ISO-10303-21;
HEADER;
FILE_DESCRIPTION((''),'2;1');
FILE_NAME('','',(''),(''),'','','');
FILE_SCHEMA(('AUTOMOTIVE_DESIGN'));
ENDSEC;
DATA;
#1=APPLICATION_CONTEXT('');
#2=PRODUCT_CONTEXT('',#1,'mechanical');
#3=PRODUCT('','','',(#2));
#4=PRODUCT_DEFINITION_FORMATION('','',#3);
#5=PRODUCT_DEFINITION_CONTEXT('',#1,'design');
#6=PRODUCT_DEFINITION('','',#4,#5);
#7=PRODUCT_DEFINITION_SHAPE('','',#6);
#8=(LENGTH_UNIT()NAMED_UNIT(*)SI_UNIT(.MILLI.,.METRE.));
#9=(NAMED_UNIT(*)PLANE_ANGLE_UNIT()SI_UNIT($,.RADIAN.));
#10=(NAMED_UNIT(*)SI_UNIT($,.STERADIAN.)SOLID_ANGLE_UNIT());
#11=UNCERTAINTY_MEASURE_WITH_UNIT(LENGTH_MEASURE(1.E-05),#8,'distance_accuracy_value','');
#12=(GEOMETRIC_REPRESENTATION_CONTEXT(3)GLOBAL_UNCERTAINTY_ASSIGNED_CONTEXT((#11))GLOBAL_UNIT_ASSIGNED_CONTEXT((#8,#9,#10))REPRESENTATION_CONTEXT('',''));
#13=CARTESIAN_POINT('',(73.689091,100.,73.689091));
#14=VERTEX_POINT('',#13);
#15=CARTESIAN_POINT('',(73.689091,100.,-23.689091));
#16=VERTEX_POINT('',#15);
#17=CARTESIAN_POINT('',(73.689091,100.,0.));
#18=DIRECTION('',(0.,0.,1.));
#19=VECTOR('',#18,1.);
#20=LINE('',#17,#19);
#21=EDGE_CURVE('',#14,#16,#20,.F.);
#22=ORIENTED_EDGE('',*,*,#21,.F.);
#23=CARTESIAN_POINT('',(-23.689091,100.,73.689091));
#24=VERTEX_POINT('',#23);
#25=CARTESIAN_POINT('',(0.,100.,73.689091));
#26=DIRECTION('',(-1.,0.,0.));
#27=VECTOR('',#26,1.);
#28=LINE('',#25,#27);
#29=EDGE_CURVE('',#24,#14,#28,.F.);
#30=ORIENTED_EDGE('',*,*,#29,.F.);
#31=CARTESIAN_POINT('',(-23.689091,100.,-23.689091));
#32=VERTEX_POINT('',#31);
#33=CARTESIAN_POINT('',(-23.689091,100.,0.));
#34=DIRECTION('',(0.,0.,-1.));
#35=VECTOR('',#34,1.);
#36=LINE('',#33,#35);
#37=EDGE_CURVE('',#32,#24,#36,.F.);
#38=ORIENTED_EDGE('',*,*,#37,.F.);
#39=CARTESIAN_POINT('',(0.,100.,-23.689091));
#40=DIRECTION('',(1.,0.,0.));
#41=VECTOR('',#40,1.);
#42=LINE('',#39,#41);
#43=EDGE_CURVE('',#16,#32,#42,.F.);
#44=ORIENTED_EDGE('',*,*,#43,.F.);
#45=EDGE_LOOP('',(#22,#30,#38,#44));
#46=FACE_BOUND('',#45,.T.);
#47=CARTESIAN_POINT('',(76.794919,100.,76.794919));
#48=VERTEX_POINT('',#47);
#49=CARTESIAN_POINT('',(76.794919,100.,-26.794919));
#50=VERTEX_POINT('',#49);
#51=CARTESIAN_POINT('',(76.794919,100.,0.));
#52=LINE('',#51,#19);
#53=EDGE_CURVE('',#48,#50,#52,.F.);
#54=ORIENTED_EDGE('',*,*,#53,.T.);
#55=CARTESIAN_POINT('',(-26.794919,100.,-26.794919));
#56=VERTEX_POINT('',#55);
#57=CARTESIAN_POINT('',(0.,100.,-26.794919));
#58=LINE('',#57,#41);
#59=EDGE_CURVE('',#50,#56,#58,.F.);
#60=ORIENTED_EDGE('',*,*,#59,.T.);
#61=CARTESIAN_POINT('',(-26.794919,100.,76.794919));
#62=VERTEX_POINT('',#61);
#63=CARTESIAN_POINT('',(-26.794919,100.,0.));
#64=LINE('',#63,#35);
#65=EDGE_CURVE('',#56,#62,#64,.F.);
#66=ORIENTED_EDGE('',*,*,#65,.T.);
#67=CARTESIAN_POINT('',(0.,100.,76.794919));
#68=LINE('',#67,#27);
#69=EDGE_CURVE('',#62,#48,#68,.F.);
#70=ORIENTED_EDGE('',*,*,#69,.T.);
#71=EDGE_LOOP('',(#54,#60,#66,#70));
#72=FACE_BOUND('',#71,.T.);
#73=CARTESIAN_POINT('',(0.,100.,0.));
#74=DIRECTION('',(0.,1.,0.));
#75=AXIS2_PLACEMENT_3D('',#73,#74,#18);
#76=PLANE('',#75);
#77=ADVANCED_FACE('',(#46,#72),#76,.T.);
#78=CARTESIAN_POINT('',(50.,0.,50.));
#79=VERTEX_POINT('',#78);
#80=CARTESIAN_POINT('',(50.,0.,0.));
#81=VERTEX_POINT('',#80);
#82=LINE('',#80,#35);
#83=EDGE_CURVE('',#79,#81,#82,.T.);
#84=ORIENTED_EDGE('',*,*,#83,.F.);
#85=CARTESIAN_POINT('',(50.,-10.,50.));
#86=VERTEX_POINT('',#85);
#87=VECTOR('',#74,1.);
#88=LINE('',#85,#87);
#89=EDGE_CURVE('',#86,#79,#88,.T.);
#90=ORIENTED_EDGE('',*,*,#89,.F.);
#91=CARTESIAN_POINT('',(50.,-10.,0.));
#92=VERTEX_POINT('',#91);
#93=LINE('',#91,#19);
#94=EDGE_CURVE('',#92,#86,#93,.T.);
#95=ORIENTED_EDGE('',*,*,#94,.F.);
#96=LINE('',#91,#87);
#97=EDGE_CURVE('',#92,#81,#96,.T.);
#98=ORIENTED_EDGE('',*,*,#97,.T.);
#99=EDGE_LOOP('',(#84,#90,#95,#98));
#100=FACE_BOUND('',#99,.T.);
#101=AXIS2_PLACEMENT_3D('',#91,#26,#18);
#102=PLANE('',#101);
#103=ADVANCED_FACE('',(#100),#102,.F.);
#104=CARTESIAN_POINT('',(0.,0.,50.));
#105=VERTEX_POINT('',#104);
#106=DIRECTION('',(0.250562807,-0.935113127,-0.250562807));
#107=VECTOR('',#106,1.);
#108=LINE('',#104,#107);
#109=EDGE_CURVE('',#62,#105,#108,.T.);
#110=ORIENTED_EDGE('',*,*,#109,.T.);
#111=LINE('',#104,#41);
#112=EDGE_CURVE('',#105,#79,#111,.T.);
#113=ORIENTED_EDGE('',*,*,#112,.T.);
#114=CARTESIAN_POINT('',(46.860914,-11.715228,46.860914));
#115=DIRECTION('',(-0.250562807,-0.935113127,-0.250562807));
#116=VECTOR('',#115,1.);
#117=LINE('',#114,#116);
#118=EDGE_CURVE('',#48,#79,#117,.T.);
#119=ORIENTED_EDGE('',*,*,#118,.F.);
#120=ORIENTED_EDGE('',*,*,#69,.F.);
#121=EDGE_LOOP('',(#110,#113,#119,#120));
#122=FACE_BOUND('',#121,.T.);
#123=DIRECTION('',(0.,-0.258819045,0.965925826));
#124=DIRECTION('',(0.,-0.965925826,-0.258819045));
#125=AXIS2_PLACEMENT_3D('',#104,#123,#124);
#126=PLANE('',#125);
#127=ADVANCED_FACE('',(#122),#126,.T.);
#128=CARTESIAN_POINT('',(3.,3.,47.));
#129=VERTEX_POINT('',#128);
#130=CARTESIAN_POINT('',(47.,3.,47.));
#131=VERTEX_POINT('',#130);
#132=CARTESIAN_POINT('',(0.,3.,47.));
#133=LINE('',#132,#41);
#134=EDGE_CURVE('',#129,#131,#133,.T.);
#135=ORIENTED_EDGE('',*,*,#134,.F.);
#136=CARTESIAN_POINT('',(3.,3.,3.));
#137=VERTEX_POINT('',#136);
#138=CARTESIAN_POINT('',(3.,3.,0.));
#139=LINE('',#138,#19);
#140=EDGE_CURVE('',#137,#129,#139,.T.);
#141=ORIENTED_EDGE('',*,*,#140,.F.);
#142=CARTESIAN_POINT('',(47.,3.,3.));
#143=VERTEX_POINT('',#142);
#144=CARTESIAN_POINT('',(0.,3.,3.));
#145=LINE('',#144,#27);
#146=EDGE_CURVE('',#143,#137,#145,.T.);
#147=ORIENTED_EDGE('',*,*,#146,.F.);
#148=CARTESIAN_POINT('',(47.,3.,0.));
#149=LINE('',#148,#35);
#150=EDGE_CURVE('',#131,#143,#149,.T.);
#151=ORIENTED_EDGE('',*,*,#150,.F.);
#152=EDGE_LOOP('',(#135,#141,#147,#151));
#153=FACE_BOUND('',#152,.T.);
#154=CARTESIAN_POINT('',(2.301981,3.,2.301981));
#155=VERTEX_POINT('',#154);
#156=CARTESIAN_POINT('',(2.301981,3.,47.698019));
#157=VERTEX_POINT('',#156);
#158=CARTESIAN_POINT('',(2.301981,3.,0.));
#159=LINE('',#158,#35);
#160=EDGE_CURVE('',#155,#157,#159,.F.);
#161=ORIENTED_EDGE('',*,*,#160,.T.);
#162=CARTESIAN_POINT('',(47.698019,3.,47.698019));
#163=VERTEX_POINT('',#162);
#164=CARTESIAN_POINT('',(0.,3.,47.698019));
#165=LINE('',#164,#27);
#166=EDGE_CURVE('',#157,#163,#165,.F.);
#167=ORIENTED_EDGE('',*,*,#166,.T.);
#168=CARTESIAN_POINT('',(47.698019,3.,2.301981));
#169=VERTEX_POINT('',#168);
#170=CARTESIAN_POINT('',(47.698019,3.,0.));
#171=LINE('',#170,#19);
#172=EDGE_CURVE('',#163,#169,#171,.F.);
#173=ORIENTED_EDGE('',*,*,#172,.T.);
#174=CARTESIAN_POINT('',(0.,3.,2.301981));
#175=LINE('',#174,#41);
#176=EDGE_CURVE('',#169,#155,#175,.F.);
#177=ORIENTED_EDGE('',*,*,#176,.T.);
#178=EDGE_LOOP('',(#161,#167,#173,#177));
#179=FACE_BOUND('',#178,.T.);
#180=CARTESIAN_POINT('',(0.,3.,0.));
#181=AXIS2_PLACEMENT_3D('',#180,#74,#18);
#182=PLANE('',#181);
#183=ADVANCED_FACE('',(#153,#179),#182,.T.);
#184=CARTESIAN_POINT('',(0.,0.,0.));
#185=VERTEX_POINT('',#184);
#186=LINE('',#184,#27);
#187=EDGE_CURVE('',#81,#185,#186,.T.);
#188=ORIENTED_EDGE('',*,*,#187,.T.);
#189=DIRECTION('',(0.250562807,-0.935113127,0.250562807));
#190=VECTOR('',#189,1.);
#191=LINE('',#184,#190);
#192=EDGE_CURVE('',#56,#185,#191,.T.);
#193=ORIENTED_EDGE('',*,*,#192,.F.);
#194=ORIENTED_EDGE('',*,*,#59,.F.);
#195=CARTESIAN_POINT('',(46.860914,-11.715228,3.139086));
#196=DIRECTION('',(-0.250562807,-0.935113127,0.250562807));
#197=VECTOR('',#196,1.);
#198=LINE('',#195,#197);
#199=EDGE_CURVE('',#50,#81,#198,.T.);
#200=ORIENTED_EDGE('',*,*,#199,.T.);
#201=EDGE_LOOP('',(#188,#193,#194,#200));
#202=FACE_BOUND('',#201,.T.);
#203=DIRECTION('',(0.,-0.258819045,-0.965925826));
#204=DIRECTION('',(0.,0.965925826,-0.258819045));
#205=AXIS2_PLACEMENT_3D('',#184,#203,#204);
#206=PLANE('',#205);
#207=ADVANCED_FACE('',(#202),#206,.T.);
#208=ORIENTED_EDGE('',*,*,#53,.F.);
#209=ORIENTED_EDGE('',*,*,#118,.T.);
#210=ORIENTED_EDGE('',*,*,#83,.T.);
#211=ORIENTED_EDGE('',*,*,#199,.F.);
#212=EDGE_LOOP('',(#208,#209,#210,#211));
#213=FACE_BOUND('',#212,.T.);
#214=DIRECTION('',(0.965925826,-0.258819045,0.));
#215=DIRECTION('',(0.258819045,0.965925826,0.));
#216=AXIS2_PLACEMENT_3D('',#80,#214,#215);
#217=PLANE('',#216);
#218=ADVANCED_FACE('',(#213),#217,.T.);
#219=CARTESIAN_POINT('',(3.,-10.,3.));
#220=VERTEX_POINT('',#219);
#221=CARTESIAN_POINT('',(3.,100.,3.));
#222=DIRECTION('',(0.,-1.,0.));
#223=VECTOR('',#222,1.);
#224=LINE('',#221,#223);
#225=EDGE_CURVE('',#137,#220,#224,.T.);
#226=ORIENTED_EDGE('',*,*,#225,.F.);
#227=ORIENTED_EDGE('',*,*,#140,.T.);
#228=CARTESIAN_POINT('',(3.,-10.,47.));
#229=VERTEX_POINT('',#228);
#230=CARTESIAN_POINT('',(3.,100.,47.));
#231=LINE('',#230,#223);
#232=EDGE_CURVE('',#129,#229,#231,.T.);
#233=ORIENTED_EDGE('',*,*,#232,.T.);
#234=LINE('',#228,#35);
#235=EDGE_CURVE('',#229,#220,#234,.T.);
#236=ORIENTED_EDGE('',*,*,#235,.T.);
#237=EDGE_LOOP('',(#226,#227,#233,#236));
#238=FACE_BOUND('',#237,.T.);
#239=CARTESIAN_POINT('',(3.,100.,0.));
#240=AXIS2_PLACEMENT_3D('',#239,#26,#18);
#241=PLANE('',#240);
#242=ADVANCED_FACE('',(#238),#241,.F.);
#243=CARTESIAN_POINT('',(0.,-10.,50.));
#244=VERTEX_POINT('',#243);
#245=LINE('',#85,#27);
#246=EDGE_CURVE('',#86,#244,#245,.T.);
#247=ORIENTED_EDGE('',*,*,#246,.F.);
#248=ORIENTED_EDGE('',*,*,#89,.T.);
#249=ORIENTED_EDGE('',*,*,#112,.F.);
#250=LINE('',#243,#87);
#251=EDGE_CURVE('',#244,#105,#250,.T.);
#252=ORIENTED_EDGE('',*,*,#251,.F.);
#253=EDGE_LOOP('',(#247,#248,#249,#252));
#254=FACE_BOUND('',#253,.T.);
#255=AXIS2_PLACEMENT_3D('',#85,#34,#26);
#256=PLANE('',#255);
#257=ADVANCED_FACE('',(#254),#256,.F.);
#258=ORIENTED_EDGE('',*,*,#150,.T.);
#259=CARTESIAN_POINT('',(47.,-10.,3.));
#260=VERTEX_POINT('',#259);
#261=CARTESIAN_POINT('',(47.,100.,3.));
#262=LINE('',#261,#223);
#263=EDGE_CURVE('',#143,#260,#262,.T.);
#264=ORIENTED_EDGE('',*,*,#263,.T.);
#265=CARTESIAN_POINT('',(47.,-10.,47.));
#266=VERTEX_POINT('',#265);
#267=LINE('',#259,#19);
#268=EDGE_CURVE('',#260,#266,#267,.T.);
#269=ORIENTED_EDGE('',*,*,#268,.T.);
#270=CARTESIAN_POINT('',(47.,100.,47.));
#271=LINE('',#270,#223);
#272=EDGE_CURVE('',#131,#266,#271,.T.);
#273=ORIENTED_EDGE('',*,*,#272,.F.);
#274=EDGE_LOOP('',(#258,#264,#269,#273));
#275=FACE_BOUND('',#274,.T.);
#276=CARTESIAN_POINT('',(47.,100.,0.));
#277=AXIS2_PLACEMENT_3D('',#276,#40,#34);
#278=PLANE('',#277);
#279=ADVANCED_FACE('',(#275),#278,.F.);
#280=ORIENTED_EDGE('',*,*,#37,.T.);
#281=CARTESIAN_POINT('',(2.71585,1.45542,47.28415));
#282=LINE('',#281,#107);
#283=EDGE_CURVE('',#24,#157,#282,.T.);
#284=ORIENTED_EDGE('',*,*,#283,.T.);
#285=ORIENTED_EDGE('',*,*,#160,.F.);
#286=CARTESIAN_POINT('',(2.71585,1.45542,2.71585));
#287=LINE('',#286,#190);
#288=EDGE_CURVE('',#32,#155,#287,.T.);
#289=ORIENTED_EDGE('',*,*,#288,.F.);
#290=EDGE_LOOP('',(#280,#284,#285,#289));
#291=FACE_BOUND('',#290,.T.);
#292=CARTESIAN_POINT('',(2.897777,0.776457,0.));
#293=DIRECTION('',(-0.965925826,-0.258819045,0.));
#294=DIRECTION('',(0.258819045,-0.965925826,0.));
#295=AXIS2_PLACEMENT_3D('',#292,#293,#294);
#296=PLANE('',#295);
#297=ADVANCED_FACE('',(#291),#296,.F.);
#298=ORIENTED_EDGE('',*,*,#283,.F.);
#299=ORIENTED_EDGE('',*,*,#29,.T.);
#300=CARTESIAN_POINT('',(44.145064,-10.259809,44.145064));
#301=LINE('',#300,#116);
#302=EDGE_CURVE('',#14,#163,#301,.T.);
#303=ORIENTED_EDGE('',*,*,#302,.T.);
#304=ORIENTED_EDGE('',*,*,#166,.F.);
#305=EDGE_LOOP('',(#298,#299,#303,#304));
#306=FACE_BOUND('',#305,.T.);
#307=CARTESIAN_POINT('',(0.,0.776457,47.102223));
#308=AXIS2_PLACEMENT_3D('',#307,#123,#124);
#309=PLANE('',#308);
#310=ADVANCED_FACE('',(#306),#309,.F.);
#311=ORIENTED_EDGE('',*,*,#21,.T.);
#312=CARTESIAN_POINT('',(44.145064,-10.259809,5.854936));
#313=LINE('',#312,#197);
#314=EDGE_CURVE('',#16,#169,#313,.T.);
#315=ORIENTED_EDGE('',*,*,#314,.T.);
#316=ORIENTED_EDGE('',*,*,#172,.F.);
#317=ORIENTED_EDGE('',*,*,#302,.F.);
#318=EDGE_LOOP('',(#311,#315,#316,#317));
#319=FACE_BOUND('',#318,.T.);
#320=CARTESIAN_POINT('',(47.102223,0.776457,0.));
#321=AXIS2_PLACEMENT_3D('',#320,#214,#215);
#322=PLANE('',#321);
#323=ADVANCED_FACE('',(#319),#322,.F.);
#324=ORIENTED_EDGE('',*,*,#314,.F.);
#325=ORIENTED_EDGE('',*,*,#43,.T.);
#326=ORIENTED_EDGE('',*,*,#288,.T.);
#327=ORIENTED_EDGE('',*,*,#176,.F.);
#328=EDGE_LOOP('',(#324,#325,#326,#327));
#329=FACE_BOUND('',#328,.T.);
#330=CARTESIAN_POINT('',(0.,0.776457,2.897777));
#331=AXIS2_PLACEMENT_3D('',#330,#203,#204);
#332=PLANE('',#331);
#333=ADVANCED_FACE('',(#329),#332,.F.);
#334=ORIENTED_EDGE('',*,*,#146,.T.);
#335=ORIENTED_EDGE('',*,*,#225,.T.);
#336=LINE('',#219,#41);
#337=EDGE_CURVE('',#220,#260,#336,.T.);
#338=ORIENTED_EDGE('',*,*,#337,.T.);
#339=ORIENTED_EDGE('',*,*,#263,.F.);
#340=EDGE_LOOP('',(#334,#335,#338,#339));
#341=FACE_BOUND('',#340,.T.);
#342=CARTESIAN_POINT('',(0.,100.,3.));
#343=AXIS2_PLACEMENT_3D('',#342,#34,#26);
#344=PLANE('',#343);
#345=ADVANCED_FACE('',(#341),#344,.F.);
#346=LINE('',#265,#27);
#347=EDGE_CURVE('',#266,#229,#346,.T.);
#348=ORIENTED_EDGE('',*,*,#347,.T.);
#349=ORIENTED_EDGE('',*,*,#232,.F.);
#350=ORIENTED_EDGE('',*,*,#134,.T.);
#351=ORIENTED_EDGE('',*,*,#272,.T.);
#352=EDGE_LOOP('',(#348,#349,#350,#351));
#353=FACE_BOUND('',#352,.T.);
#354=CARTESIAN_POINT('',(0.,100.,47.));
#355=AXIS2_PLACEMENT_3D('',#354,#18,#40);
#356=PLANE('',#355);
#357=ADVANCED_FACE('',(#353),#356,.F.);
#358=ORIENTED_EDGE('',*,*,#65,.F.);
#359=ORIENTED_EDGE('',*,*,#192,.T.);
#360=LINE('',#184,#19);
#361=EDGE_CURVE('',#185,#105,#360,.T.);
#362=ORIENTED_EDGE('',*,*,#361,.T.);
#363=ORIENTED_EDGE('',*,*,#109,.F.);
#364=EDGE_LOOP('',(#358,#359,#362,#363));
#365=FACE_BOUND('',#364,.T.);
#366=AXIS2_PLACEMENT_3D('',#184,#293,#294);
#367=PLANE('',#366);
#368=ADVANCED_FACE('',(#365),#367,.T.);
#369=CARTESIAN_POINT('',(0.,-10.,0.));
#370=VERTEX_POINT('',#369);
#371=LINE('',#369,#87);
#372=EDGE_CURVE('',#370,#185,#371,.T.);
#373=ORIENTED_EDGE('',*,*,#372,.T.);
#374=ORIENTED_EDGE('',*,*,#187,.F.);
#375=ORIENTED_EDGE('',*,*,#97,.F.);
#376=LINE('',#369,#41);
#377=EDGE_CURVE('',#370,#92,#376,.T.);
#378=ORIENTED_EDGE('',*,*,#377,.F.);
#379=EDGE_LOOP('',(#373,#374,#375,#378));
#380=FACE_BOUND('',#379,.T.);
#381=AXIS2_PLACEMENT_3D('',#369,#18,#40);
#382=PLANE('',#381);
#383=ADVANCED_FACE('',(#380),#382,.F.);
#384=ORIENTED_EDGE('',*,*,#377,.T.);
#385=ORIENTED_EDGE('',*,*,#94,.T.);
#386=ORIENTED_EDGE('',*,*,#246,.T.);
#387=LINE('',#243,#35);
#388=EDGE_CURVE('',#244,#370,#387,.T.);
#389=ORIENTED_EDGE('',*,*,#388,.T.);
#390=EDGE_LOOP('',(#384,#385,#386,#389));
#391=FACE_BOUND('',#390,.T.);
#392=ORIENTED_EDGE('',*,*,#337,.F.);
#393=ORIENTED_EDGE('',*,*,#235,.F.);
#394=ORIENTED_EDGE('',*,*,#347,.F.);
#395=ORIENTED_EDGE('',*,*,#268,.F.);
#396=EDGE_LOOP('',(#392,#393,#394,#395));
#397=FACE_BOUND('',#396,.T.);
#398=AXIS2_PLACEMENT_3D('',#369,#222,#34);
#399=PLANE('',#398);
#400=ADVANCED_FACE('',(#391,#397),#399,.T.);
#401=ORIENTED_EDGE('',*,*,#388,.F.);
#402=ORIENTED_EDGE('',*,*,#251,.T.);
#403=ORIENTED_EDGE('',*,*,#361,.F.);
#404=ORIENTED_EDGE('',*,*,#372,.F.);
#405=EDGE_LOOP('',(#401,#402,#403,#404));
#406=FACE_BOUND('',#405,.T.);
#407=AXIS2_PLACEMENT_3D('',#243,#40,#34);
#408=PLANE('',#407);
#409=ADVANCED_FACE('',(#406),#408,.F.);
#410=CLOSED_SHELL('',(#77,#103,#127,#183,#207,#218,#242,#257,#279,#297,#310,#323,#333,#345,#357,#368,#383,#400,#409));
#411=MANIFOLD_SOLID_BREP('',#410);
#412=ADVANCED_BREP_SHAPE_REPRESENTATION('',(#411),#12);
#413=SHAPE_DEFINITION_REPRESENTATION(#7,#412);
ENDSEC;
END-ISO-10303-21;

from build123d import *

# Parameters (mm, degrees)
SKETCH1_W           = 50
SKETCH1_H           = 50
BOSS_EXTRUDE1_DEPTH = 100
BOSS_EXTRUDE1_TAPER = -15
SHELL1_T            = -3
SKETCH2_W           = 44
SKETCH2_H           = 44
CUT_EXTRUDE1_DEPTH  = 101.000000137
SKETCH3_W           = 50
SKETCH3_H           = 50
SKETCH3_W_2         = 44
SKETCH3_H_2         = 44
BOSS_EXTRUDE2_DEPTH = 10


with BuildPart() as part:
    # Sketch1 → Boss-Extrude1 (new body)
    with BuildSketch(Plane(origin=(0, 0, 0), x_dir=(1, 0, 0), z_dir=(0, 1, 0))):
        with Locations((25, -25)):
            Rectangle(SKETCH1_W, SKETCH1_H)
    extrude(amount=BOSS_EXTRUDE1_DEPTH, taper=BOSS_EXTRUDE1_TAPER)

    # Shell1
    shell1_openings = [part.faces().sort_by_distance(p)[0] for p in [
        (25, 100, 25),
    ]]
    offset(amount=SHELL1_T, openings=shell1_openings, kind=Kind.INTERSECTION)

    # Sketch2 → Cut-Extrude1 (cut, through all)
    with BuildSketch(Plane.XZ):
        with Locations((25, 25)):
            Rectangle(SKETCH2_W, SKETCH2_H)
    extrude(amount=-CUT_EXTRUDE1_DEPTH, mode=Mode.SUBTRACT)

    # Sketch3 → Boss-Extrude2 (add)
    with BuildSketch(Plane.XZ):
        with Locations((25, 25)):
            Rectangle(SKETCH3_W, SKETCH3_H)
        with Locations((25, 25)):
            Rectangle(SKETCH3_W_2, SKETCH3_H_2, mode=Mode.SUBTRACT)
    extrude(amount=BOSS_EXTRUDE2_DEPTH)


solid = part.part
